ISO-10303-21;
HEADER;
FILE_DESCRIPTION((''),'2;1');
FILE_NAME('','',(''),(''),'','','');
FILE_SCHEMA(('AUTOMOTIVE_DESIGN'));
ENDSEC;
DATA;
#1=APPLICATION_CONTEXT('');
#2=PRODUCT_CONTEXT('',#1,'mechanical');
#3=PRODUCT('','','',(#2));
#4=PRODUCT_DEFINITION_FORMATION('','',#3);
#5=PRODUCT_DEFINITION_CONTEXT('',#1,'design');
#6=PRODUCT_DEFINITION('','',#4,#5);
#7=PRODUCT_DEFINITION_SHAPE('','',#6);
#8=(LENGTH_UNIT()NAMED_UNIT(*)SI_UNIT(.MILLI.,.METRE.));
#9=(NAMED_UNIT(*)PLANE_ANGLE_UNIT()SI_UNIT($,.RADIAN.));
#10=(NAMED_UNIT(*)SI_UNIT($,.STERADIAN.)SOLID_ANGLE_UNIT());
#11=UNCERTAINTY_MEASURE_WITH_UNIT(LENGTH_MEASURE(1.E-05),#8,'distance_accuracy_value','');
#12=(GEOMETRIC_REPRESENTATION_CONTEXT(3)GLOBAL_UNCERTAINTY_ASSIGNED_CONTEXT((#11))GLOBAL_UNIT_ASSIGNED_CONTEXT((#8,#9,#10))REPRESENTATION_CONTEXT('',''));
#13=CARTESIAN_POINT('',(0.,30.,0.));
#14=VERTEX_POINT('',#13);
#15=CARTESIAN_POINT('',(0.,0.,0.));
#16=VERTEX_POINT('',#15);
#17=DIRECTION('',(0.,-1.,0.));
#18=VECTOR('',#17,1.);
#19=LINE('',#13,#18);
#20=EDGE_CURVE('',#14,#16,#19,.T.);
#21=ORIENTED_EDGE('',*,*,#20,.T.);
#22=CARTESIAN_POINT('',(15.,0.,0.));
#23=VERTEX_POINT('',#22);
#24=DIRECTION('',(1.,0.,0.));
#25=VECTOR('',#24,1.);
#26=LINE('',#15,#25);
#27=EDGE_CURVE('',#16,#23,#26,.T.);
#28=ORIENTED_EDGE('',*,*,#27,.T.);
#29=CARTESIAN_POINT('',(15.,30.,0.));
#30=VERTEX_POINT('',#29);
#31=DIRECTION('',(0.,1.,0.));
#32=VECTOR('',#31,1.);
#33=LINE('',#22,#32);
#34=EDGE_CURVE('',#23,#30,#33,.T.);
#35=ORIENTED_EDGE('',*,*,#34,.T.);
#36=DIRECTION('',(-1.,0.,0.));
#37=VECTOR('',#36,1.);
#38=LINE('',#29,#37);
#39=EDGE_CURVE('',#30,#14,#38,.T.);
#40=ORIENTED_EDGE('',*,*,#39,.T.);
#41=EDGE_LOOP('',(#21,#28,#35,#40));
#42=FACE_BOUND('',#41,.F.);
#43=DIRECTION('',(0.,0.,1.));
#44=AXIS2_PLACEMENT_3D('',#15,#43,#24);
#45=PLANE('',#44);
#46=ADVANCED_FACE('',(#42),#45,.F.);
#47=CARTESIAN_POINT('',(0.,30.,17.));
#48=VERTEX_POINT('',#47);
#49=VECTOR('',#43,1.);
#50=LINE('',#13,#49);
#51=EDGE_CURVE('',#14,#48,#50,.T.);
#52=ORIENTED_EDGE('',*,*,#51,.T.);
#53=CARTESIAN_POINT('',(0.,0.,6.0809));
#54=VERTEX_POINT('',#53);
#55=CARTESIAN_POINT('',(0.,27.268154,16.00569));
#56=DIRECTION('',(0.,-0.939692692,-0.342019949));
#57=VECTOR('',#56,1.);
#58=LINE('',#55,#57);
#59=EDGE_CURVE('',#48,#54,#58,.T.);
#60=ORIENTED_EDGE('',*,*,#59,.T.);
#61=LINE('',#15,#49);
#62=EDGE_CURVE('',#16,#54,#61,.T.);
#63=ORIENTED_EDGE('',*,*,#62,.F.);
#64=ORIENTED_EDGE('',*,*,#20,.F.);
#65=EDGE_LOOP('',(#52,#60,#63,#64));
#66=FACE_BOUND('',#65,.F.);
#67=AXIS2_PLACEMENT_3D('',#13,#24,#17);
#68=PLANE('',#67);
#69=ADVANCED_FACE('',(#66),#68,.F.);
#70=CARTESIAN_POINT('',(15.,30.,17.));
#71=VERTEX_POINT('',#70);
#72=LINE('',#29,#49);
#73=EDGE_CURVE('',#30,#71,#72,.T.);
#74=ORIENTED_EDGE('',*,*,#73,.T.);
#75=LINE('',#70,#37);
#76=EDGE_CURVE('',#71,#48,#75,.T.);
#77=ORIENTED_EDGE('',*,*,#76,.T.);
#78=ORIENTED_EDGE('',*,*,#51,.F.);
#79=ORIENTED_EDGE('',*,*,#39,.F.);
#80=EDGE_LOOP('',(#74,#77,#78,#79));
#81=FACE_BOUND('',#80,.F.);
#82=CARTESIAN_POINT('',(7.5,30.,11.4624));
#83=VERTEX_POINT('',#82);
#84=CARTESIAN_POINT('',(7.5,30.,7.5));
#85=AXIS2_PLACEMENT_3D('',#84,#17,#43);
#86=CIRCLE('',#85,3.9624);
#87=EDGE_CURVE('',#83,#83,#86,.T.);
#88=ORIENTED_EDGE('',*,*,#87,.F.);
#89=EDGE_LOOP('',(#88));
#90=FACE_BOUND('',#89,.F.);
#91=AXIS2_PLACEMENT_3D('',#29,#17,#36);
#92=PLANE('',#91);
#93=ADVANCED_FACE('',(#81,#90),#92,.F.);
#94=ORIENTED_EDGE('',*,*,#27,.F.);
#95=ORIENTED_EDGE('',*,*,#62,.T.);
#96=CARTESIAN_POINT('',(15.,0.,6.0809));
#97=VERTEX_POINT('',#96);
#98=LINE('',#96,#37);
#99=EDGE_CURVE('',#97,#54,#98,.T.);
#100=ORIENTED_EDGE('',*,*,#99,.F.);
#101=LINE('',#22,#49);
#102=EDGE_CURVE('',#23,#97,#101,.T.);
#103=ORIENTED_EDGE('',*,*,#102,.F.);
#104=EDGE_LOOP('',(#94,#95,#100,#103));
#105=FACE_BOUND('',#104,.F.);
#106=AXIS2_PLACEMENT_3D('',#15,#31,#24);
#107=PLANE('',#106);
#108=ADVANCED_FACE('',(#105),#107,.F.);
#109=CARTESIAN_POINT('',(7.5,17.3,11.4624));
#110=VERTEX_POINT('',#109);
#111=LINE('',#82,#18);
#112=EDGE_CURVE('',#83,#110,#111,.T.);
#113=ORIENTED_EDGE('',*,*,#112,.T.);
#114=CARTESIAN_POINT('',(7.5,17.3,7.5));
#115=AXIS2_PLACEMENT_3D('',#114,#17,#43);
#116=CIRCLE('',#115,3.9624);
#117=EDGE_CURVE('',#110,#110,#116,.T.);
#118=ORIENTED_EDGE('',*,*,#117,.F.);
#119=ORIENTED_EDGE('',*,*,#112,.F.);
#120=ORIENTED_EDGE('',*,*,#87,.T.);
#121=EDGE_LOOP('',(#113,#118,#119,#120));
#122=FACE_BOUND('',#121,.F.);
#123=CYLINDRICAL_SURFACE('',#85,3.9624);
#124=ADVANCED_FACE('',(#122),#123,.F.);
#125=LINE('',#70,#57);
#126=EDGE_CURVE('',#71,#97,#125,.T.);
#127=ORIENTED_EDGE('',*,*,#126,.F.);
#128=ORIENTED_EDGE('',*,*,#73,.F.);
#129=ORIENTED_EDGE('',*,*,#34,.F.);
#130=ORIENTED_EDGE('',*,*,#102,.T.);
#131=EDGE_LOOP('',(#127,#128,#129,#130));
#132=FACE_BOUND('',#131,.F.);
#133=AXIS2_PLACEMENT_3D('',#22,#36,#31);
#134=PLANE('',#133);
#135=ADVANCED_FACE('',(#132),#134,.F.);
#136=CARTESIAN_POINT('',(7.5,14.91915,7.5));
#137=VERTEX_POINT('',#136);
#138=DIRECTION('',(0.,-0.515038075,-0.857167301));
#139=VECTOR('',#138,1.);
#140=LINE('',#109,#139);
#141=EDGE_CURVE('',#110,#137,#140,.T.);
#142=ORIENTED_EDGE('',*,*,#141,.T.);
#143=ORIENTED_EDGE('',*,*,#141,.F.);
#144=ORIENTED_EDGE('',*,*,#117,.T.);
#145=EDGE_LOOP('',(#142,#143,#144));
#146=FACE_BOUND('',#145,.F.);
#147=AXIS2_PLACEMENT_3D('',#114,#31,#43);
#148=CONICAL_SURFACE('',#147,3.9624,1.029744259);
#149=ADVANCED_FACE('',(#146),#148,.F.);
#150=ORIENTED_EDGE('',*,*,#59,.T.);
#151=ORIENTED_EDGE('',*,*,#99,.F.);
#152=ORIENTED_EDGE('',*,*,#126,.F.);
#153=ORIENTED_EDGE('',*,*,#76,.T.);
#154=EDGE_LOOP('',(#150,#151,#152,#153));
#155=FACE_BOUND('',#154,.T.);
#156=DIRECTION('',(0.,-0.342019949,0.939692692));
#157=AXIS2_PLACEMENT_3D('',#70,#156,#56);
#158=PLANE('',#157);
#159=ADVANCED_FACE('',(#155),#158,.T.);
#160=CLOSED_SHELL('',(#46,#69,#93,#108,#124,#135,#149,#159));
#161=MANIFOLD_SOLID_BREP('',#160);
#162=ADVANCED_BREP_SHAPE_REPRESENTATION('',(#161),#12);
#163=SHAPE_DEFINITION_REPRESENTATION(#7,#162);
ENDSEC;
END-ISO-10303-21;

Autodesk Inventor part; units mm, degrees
ref_plane "YZ Plane" through (0, 0, 0) normal (1, 0, 0) x (0, 1, 0)
ref_plane "XZ Plane" through (0, 0, 0) normal (0, 1, 0) x (-1, 0, 0)
ref_plane "XY Plane" through (0, 0, 0) normal (0, 0, 1) x (1, 0, 0)
sketch "Sketch1" plane through (0, 0, 0) normal (0, 0, 1) x (1, 0, 0)
  line L0 (0, 0) -> (15, 0)
  line L1 (15, 0) -> (15, 30)
  line L2 (15, 30) -> (0, 30)
  line L3 (0, 30) -> (0, 0)
  dimension "d0" = 30
  dimension "d1" = 15
extrude "Extrusion1" add sketch "Sketch1" along normal blind 17
sketch "Sketch2" plane through (15, 0, 0) normal (1, 0, 0) x (0, 0, -1)
  line L0 (-17, 0) -> (-17, 30) projected
  line L1 (-17, 30) -> (-6.0809, 0)
  line L2 (-17, 30) -> (14.9253, 30) construction
  line L3 (-6.0809, 0) -> (-17, 0)
  line L4 (-6.0809, 0) -> (-17, 0)
  line L5 (-17, 30) -> (-17, 0)
  dimension "d4" = 70
extrude "Extrusion2" cut sketch "Sketch2" against normal through all
sketch "Sketch3" plane through (0, 30, 0) normal (0, 1, 0) x (1, 0, 0)
  circle A0 centre (7.5, -7.5) radius 3.9624
  line L0 (15, -17) -> (0, -17) construction
  line L1 (7.5, -17) -> (7.5, 2) construction
  line L2 (0, 0) -> (0, -17) construction
  line L3 (0, -8.5) -> (15, -8.5) construction
  dimension "d7" = 7.9248
hole "Hole1" at (7.5, 30, 7.5) direction (0, -1, 0) diameter 7.9248 depth 12.7 tip angle 118
properties part number "Halter"
